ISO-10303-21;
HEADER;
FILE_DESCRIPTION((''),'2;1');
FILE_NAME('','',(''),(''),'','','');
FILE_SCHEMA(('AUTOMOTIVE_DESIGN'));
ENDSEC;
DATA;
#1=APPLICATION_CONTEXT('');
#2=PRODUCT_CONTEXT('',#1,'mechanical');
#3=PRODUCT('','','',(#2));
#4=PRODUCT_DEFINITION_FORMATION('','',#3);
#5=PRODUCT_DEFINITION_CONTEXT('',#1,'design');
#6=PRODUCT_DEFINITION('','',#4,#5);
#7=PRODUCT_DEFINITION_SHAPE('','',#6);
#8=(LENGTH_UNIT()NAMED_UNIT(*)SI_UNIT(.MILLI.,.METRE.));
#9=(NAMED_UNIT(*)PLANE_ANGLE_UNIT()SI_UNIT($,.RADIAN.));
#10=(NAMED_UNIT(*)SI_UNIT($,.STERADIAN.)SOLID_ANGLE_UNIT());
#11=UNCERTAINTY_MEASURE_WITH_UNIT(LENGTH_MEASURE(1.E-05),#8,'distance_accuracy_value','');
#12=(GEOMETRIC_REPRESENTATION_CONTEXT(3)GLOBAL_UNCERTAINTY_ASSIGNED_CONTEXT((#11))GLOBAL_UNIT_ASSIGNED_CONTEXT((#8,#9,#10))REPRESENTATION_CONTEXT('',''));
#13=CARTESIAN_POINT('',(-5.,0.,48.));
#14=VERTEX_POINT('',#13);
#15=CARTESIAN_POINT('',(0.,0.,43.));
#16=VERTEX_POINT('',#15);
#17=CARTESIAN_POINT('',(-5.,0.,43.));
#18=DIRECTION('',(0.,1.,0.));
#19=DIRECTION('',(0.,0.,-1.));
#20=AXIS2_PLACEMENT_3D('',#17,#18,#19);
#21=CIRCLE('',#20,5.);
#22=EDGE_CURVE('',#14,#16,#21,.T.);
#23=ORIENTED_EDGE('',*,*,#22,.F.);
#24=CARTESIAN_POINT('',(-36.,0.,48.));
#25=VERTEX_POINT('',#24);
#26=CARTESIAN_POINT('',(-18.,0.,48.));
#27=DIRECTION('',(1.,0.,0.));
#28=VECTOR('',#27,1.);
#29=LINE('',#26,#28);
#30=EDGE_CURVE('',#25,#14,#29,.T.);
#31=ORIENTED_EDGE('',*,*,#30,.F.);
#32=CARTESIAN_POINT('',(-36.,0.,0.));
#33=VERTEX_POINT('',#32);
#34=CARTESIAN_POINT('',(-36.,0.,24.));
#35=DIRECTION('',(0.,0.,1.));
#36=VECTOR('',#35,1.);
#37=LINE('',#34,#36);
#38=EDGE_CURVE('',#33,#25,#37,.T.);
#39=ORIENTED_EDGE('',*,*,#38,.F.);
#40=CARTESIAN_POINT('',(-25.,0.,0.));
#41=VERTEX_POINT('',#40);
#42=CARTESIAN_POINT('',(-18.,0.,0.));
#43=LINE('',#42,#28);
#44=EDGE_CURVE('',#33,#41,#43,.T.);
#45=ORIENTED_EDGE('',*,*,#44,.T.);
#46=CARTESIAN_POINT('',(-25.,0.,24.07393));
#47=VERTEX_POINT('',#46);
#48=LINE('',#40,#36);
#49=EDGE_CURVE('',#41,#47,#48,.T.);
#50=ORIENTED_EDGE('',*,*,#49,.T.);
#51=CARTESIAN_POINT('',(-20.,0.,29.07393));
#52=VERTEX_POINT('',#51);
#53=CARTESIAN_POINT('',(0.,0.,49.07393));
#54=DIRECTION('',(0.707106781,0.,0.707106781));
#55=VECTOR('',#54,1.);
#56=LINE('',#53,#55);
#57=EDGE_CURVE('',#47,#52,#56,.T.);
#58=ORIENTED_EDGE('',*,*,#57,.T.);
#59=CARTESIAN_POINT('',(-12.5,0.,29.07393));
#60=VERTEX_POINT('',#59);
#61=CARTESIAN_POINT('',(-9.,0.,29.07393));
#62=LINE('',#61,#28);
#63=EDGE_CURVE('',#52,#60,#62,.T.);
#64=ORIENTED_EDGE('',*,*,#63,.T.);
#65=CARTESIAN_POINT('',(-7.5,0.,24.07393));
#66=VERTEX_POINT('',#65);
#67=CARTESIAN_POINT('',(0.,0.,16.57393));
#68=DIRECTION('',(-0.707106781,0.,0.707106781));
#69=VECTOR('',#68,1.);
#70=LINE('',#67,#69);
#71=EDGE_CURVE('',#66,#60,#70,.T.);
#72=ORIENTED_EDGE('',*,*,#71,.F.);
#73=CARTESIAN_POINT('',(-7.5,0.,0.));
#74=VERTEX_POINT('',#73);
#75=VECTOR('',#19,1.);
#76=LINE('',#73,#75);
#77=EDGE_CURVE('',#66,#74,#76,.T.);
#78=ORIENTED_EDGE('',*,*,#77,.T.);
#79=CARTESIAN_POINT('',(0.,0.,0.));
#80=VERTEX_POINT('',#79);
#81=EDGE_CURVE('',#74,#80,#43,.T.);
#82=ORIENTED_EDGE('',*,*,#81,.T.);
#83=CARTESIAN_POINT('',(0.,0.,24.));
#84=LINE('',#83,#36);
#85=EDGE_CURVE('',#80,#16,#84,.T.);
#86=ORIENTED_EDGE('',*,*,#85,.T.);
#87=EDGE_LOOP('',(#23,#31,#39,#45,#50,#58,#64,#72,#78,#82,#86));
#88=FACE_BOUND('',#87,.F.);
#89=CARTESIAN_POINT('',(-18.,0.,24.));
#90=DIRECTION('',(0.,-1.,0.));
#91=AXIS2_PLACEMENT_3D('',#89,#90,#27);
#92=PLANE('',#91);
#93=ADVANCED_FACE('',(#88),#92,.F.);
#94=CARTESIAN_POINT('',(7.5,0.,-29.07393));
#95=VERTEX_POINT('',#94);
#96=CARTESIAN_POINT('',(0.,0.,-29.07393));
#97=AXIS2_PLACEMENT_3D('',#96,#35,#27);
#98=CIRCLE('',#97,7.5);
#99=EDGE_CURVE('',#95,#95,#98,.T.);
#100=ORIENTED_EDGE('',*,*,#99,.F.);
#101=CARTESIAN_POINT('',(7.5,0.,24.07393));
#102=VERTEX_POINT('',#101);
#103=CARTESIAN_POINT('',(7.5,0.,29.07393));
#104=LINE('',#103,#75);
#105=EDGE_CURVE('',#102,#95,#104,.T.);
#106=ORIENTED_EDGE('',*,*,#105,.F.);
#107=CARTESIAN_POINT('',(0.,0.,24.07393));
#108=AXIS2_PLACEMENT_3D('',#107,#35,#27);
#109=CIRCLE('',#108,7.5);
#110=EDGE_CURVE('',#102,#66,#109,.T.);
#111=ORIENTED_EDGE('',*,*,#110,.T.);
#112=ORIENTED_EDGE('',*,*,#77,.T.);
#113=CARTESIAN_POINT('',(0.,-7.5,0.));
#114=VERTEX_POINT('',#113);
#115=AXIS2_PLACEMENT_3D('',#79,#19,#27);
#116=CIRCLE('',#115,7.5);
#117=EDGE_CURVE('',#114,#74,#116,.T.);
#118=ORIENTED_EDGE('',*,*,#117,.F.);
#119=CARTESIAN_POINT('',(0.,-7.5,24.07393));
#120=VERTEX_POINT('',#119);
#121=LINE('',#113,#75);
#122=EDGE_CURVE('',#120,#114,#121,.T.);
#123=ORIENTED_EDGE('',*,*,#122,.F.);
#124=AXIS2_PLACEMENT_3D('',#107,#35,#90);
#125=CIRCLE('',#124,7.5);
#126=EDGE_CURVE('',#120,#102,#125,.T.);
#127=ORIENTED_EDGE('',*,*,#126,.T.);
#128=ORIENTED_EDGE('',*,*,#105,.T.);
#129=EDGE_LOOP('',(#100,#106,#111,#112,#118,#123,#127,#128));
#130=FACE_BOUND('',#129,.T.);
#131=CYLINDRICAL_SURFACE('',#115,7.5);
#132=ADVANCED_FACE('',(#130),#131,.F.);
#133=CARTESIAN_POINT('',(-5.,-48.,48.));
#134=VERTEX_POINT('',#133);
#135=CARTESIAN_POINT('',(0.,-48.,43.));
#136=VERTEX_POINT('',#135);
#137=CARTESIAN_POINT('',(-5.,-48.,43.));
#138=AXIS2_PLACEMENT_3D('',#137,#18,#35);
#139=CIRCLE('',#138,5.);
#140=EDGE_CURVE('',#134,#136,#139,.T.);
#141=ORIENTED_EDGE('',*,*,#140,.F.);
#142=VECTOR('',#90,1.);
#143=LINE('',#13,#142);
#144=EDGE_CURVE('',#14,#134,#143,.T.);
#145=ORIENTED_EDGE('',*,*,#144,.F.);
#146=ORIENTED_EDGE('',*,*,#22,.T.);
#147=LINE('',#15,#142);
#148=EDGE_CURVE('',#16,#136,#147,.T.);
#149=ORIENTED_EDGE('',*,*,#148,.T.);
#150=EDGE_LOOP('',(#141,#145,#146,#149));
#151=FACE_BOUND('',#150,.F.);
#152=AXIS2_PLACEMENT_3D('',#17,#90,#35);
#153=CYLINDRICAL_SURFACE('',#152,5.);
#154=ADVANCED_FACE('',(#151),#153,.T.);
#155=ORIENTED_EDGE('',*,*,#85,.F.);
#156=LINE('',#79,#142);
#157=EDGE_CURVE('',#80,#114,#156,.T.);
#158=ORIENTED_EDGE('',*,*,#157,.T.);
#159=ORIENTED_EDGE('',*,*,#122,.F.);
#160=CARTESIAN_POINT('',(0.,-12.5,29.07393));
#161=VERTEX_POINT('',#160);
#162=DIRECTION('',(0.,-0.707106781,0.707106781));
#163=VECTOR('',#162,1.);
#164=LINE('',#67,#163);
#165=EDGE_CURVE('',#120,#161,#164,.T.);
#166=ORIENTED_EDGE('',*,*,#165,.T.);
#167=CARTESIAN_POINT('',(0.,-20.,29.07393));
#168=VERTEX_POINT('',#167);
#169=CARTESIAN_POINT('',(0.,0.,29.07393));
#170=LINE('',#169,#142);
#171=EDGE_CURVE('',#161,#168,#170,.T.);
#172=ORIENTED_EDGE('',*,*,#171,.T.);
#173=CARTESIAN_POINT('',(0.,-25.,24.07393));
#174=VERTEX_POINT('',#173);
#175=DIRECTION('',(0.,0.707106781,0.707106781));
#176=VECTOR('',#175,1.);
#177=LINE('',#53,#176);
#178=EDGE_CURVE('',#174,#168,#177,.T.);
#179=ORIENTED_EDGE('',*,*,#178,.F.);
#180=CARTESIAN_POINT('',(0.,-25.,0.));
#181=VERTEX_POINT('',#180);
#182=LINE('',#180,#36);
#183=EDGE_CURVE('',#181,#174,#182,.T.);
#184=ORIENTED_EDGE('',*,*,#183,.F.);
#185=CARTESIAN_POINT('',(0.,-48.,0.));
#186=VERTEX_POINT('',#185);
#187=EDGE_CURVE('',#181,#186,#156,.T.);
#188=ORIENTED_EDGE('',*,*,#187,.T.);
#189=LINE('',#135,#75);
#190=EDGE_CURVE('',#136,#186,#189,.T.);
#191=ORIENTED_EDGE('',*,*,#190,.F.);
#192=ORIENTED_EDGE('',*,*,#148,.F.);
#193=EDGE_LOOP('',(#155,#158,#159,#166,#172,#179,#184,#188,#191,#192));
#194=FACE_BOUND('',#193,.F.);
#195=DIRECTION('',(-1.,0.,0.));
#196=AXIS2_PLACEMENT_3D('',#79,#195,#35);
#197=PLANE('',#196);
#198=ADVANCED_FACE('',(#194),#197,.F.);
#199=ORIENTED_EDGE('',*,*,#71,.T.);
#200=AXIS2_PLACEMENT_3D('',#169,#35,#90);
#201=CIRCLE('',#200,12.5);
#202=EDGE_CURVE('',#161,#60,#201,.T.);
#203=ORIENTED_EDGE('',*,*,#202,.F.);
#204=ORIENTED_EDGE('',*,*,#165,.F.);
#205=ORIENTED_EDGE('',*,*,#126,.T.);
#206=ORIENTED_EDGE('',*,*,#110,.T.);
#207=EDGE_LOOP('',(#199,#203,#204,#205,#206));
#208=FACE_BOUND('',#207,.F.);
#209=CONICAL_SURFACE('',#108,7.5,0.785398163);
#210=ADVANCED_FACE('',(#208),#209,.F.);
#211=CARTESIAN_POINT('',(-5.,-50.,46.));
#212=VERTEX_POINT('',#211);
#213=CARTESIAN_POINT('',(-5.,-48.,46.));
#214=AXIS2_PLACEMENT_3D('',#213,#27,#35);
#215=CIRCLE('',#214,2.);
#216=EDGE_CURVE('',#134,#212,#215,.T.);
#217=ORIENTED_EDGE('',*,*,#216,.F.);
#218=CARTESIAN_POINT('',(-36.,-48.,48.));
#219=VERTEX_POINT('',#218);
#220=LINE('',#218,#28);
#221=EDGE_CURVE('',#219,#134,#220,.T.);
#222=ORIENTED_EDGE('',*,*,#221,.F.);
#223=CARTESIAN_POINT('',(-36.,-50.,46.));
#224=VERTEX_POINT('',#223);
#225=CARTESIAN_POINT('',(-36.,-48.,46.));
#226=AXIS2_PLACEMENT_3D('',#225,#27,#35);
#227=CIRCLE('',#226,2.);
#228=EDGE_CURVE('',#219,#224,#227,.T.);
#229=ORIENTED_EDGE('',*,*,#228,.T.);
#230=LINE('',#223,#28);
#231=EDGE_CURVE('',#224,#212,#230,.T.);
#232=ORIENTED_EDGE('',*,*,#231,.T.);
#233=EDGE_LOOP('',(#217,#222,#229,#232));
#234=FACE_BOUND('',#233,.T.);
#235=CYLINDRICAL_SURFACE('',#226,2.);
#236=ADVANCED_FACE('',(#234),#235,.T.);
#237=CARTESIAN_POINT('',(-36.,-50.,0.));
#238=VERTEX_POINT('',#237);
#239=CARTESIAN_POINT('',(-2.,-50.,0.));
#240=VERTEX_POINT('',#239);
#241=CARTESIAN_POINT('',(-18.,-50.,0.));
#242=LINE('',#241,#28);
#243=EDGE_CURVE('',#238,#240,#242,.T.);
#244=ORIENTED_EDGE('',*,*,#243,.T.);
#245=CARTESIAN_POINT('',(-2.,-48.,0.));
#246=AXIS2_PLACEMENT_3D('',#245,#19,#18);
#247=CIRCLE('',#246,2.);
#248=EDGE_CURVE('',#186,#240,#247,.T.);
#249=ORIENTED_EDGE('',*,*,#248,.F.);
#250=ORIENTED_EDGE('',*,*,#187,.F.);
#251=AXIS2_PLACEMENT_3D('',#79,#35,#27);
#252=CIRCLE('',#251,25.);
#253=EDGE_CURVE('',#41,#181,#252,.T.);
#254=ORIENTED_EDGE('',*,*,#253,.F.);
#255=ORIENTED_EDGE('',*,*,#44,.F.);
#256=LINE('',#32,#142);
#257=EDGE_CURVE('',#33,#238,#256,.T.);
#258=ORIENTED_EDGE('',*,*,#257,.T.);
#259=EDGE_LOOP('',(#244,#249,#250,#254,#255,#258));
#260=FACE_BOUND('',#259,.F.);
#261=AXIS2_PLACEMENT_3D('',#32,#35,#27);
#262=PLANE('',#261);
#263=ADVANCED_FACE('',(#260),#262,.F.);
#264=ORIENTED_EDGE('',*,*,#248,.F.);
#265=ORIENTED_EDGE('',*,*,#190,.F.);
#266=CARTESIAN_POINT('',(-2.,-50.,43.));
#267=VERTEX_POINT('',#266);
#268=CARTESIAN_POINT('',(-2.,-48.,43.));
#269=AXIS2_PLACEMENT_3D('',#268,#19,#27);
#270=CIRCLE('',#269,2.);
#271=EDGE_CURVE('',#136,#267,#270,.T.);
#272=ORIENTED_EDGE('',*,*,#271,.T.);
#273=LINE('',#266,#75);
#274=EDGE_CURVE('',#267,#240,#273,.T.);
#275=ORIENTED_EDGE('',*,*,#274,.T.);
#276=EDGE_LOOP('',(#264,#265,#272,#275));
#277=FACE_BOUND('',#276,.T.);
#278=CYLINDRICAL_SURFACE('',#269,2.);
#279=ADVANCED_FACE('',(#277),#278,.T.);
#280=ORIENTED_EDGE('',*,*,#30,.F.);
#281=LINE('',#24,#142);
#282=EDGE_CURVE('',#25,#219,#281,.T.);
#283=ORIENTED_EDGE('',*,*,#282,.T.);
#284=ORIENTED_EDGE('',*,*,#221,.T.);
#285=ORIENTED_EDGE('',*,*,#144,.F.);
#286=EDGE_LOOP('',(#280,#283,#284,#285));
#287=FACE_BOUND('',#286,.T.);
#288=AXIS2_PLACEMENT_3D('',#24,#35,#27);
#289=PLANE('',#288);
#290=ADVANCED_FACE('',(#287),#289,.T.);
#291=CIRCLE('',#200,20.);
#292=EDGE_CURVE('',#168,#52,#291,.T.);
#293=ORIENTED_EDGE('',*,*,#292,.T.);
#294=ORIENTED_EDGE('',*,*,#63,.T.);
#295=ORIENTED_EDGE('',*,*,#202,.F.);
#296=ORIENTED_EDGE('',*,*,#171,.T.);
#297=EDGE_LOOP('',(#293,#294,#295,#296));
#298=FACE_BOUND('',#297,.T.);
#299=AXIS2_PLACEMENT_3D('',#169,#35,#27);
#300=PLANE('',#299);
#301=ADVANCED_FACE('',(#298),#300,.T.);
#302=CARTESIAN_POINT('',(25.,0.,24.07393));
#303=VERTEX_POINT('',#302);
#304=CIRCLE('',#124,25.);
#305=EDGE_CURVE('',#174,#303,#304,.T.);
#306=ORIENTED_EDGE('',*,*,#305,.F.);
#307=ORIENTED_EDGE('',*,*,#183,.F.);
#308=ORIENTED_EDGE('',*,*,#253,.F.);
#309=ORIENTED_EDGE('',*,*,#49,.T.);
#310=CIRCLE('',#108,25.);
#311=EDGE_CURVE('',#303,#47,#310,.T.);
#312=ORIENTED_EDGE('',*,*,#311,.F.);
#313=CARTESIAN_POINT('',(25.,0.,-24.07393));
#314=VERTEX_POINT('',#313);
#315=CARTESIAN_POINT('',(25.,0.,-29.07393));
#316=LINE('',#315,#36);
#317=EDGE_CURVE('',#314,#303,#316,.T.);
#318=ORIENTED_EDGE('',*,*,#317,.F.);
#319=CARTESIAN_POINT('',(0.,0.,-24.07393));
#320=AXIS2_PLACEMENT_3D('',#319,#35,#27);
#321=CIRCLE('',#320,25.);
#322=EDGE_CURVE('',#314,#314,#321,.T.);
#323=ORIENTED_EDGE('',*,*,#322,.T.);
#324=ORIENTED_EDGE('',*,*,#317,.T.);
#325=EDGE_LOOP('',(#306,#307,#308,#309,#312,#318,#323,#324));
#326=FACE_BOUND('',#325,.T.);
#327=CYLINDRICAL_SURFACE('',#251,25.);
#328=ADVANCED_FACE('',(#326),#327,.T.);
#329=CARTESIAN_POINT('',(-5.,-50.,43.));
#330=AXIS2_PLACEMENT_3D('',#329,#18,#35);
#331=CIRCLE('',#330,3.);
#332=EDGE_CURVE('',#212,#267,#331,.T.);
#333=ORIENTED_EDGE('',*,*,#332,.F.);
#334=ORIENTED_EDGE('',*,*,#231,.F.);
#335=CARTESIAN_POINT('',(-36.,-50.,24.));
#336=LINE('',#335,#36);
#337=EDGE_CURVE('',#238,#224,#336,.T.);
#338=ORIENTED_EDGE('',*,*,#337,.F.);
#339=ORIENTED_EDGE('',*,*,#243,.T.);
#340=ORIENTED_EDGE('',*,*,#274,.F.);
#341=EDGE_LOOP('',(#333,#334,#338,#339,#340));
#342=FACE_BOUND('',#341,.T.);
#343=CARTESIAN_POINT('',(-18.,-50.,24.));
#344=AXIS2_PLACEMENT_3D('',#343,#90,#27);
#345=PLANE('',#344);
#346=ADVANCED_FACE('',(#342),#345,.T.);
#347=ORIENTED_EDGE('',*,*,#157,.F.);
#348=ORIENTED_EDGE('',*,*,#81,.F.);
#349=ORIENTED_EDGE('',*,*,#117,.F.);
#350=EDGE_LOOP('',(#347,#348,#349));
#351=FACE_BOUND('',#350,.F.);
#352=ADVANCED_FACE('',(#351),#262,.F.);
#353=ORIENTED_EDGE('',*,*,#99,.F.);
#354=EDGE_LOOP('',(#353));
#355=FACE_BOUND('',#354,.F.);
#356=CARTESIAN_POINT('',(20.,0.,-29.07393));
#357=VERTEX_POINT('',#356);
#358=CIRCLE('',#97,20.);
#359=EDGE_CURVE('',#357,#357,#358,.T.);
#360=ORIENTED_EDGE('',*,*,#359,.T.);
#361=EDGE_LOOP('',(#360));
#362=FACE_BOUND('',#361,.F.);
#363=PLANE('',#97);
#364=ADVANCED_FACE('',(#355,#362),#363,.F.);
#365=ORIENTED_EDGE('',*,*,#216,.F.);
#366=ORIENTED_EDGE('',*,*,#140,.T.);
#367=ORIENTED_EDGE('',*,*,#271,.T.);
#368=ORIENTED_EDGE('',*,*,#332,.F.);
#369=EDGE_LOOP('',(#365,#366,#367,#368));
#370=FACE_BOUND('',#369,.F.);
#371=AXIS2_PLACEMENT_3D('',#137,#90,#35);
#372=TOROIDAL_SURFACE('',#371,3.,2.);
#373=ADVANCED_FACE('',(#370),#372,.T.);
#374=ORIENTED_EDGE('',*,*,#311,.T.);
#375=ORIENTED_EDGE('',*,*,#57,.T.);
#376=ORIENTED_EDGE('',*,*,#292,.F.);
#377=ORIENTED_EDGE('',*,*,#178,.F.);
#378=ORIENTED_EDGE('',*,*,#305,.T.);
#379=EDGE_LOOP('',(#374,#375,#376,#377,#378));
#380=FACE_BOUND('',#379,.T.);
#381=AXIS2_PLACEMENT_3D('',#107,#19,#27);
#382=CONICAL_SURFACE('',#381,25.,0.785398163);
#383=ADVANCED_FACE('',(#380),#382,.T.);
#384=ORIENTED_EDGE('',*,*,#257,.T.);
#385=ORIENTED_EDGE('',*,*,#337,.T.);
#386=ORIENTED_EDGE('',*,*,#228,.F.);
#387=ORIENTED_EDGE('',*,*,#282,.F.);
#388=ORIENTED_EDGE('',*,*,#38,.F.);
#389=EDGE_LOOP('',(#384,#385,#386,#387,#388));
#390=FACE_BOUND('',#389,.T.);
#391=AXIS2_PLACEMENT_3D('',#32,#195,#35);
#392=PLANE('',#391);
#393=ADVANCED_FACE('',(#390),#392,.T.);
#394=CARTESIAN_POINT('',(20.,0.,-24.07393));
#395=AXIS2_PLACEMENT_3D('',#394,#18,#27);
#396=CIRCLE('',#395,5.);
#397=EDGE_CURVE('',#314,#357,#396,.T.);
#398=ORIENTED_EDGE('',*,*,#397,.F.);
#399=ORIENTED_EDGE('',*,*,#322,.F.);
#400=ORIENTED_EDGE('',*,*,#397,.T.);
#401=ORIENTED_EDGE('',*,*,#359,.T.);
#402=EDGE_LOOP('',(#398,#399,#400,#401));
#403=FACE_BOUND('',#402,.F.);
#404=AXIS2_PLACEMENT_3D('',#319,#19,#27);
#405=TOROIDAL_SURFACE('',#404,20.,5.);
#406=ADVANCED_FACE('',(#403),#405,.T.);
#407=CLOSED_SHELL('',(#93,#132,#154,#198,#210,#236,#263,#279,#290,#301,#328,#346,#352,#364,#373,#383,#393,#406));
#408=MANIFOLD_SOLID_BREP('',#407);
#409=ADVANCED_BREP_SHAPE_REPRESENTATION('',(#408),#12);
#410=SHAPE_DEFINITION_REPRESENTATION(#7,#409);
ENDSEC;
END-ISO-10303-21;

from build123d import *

# Parameters (mm, degrees)
F0_R     = 25
F0_R_2   = 7.5
F1_DEPTH = 29.07393
F2_W     = 36
F2_H     = 48
F3_DEPTH = 50
F4_SIZE  = 5
F5_R     = 5
F6_R     = 2
F7_R     = 5


with BuildPart() as f1:
    # F0 (on Top) → F1 (new body, symmetric)
    with BuildSketch(Plane.XY):
        Circle(F0_R)
        Circle(F0_R_2, mode=Mode.SUBTRACT)
    extrude(amount=F1_DEPTH, both=True)

    # F2 (on Front) → F3 (join)
    with BuildSketch(Plane.XZ):
        with Locations((-18, 24)):
            Rectangle(F2_W, F2_H)
    extrude(amount=F3_DEPTH)

    # F4
    f4_edges = [f1.edges().sort_by_distance(p)[0] for p in [
        (0, 25, 29.07393),
        (0, 7.5, 29.07393),
    ]]
    chamfer(f4_edges, length=F4_SIZE)

    # F5
    f5_edges = [f1.edges().sort_by_distance(p)[0] for p in [
        (0, -25, 48),
    ]]
    fillet(f5_edges, radius=F5_R)

    # F6
    f6_edges = [f1.edges().sort_by_distance(p)[0] for p in [
        (-20.5, -50, 48),
    ]]
    fillet(f6_edges, radius=F6_R)

    # F7
    f7_edges = [f1.edges().sort_by_distance(p)[0] for p in [
        (-25, 0, -29.07393),
    ]]
    fillet(f7_edges, radius=F7_R)


solid = f1.part
